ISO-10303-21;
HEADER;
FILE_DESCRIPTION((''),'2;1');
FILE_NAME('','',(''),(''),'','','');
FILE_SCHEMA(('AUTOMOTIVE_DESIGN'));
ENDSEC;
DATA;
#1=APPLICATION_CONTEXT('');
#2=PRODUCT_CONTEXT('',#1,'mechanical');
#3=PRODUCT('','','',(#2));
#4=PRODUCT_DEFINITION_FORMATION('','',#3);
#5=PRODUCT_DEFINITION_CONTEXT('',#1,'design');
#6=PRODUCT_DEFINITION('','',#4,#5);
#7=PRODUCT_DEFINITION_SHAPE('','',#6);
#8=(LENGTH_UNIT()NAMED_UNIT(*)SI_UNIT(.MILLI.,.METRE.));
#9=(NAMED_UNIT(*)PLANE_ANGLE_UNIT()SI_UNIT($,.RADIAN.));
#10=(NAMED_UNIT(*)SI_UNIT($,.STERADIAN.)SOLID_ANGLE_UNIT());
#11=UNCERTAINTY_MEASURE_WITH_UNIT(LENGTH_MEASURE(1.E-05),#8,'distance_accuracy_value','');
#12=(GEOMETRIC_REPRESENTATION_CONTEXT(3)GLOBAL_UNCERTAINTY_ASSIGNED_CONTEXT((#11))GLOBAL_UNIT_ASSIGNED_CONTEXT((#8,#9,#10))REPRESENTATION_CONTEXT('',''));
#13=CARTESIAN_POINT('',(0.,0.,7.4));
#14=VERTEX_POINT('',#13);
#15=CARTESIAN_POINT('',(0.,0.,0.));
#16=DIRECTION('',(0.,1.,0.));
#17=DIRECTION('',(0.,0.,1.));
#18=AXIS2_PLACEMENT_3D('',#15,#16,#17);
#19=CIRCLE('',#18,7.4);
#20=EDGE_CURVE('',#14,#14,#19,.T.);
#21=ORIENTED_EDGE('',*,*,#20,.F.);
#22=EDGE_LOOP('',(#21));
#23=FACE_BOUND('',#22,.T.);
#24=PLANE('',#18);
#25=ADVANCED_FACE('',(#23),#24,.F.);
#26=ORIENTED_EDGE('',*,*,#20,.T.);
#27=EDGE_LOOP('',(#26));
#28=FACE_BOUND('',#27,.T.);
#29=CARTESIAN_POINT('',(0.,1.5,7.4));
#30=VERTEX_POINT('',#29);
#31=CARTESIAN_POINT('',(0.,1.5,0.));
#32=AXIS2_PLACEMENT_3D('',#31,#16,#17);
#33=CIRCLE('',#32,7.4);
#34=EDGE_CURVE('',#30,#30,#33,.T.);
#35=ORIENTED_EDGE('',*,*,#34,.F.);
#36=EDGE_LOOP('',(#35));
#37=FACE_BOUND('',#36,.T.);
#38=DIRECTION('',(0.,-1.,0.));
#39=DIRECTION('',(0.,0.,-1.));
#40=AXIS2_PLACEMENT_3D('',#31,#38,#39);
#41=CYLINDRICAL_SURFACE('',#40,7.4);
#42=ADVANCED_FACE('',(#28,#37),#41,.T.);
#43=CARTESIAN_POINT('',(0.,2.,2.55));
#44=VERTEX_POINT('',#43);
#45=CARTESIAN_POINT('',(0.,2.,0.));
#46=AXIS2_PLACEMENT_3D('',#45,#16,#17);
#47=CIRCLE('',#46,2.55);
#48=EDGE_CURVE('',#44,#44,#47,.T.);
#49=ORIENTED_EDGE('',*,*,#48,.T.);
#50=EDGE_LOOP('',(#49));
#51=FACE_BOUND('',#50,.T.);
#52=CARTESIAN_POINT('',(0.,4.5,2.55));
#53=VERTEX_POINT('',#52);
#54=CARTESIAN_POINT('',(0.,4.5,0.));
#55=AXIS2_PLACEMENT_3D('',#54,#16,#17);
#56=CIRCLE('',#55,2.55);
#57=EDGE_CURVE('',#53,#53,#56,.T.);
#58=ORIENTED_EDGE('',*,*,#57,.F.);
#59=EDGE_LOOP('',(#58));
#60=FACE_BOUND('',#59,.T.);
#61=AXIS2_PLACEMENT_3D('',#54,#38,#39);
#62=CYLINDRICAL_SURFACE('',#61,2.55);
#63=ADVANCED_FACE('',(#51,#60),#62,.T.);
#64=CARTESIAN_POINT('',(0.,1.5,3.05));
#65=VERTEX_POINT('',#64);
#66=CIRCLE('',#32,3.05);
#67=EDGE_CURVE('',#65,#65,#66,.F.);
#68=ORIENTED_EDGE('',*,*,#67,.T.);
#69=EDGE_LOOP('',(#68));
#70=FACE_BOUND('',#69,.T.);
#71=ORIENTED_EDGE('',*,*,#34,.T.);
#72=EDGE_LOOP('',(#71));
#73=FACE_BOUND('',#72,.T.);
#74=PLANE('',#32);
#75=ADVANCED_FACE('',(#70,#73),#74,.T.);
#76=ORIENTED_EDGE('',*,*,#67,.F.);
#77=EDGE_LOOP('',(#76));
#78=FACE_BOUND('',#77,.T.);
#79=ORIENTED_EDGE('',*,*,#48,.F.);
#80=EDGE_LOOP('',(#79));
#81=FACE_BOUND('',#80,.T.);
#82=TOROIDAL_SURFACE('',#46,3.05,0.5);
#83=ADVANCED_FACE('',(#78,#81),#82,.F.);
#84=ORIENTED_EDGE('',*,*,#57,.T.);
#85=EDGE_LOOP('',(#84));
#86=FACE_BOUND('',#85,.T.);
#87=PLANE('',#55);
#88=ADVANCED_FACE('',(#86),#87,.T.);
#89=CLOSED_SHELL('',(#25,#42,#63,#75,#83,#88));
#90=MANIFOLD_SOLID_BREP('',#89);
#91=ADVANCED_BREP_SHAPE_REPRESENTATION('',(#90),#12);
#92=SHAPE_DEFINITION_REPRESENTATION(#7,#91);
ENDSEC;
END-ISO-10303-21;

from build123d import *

# Parameters (mm, degrees)
SKETCH1_R           = 7.4
BOSS_EXTRUDE1_DEPTH = 1.5
SKETCH2_R           = 2.55
BOSS_EXTRUDE2_DEPTH = 3
FILLET1_R           = 0.5


with BuildPart() as part:
    # Sketch1 → Boss-Extrude1 (new body)
    with BuildSketch(Plane(origin=(0, 0, 0), x_dir=(1, 0, 0), z_dir=(0, 1, 0))):
        with Locations(Location((0, 0, 0), (0, 0, 270))):
            Circle(SKETCH1_R)
    extrude(amount=BOSS_EXTRUDE1_DEPTH)

    # Sketch2 → Boss-Extrude2 (add)
    with BuildSketch(Plane(origin=(0, 1.5, 0), x_dir=(1, 0, 0), z_dir=(0, 1, 0))):
        with Locations(Location((0, 0, 0), (0, 0, 270))):
            Circle(SKETCH2_R)
    extrude(amount=BOSS_EXTRUDE2_DEPTH)

    # Fillet1
    fillet1_edges = [part.edges().sort_by_distance(p)[0] for p in [
        (0, 1.5, -2.55),
    ]]
    fillet(fillet1_edges, radius=FILLET1_R)


solid = part.part
